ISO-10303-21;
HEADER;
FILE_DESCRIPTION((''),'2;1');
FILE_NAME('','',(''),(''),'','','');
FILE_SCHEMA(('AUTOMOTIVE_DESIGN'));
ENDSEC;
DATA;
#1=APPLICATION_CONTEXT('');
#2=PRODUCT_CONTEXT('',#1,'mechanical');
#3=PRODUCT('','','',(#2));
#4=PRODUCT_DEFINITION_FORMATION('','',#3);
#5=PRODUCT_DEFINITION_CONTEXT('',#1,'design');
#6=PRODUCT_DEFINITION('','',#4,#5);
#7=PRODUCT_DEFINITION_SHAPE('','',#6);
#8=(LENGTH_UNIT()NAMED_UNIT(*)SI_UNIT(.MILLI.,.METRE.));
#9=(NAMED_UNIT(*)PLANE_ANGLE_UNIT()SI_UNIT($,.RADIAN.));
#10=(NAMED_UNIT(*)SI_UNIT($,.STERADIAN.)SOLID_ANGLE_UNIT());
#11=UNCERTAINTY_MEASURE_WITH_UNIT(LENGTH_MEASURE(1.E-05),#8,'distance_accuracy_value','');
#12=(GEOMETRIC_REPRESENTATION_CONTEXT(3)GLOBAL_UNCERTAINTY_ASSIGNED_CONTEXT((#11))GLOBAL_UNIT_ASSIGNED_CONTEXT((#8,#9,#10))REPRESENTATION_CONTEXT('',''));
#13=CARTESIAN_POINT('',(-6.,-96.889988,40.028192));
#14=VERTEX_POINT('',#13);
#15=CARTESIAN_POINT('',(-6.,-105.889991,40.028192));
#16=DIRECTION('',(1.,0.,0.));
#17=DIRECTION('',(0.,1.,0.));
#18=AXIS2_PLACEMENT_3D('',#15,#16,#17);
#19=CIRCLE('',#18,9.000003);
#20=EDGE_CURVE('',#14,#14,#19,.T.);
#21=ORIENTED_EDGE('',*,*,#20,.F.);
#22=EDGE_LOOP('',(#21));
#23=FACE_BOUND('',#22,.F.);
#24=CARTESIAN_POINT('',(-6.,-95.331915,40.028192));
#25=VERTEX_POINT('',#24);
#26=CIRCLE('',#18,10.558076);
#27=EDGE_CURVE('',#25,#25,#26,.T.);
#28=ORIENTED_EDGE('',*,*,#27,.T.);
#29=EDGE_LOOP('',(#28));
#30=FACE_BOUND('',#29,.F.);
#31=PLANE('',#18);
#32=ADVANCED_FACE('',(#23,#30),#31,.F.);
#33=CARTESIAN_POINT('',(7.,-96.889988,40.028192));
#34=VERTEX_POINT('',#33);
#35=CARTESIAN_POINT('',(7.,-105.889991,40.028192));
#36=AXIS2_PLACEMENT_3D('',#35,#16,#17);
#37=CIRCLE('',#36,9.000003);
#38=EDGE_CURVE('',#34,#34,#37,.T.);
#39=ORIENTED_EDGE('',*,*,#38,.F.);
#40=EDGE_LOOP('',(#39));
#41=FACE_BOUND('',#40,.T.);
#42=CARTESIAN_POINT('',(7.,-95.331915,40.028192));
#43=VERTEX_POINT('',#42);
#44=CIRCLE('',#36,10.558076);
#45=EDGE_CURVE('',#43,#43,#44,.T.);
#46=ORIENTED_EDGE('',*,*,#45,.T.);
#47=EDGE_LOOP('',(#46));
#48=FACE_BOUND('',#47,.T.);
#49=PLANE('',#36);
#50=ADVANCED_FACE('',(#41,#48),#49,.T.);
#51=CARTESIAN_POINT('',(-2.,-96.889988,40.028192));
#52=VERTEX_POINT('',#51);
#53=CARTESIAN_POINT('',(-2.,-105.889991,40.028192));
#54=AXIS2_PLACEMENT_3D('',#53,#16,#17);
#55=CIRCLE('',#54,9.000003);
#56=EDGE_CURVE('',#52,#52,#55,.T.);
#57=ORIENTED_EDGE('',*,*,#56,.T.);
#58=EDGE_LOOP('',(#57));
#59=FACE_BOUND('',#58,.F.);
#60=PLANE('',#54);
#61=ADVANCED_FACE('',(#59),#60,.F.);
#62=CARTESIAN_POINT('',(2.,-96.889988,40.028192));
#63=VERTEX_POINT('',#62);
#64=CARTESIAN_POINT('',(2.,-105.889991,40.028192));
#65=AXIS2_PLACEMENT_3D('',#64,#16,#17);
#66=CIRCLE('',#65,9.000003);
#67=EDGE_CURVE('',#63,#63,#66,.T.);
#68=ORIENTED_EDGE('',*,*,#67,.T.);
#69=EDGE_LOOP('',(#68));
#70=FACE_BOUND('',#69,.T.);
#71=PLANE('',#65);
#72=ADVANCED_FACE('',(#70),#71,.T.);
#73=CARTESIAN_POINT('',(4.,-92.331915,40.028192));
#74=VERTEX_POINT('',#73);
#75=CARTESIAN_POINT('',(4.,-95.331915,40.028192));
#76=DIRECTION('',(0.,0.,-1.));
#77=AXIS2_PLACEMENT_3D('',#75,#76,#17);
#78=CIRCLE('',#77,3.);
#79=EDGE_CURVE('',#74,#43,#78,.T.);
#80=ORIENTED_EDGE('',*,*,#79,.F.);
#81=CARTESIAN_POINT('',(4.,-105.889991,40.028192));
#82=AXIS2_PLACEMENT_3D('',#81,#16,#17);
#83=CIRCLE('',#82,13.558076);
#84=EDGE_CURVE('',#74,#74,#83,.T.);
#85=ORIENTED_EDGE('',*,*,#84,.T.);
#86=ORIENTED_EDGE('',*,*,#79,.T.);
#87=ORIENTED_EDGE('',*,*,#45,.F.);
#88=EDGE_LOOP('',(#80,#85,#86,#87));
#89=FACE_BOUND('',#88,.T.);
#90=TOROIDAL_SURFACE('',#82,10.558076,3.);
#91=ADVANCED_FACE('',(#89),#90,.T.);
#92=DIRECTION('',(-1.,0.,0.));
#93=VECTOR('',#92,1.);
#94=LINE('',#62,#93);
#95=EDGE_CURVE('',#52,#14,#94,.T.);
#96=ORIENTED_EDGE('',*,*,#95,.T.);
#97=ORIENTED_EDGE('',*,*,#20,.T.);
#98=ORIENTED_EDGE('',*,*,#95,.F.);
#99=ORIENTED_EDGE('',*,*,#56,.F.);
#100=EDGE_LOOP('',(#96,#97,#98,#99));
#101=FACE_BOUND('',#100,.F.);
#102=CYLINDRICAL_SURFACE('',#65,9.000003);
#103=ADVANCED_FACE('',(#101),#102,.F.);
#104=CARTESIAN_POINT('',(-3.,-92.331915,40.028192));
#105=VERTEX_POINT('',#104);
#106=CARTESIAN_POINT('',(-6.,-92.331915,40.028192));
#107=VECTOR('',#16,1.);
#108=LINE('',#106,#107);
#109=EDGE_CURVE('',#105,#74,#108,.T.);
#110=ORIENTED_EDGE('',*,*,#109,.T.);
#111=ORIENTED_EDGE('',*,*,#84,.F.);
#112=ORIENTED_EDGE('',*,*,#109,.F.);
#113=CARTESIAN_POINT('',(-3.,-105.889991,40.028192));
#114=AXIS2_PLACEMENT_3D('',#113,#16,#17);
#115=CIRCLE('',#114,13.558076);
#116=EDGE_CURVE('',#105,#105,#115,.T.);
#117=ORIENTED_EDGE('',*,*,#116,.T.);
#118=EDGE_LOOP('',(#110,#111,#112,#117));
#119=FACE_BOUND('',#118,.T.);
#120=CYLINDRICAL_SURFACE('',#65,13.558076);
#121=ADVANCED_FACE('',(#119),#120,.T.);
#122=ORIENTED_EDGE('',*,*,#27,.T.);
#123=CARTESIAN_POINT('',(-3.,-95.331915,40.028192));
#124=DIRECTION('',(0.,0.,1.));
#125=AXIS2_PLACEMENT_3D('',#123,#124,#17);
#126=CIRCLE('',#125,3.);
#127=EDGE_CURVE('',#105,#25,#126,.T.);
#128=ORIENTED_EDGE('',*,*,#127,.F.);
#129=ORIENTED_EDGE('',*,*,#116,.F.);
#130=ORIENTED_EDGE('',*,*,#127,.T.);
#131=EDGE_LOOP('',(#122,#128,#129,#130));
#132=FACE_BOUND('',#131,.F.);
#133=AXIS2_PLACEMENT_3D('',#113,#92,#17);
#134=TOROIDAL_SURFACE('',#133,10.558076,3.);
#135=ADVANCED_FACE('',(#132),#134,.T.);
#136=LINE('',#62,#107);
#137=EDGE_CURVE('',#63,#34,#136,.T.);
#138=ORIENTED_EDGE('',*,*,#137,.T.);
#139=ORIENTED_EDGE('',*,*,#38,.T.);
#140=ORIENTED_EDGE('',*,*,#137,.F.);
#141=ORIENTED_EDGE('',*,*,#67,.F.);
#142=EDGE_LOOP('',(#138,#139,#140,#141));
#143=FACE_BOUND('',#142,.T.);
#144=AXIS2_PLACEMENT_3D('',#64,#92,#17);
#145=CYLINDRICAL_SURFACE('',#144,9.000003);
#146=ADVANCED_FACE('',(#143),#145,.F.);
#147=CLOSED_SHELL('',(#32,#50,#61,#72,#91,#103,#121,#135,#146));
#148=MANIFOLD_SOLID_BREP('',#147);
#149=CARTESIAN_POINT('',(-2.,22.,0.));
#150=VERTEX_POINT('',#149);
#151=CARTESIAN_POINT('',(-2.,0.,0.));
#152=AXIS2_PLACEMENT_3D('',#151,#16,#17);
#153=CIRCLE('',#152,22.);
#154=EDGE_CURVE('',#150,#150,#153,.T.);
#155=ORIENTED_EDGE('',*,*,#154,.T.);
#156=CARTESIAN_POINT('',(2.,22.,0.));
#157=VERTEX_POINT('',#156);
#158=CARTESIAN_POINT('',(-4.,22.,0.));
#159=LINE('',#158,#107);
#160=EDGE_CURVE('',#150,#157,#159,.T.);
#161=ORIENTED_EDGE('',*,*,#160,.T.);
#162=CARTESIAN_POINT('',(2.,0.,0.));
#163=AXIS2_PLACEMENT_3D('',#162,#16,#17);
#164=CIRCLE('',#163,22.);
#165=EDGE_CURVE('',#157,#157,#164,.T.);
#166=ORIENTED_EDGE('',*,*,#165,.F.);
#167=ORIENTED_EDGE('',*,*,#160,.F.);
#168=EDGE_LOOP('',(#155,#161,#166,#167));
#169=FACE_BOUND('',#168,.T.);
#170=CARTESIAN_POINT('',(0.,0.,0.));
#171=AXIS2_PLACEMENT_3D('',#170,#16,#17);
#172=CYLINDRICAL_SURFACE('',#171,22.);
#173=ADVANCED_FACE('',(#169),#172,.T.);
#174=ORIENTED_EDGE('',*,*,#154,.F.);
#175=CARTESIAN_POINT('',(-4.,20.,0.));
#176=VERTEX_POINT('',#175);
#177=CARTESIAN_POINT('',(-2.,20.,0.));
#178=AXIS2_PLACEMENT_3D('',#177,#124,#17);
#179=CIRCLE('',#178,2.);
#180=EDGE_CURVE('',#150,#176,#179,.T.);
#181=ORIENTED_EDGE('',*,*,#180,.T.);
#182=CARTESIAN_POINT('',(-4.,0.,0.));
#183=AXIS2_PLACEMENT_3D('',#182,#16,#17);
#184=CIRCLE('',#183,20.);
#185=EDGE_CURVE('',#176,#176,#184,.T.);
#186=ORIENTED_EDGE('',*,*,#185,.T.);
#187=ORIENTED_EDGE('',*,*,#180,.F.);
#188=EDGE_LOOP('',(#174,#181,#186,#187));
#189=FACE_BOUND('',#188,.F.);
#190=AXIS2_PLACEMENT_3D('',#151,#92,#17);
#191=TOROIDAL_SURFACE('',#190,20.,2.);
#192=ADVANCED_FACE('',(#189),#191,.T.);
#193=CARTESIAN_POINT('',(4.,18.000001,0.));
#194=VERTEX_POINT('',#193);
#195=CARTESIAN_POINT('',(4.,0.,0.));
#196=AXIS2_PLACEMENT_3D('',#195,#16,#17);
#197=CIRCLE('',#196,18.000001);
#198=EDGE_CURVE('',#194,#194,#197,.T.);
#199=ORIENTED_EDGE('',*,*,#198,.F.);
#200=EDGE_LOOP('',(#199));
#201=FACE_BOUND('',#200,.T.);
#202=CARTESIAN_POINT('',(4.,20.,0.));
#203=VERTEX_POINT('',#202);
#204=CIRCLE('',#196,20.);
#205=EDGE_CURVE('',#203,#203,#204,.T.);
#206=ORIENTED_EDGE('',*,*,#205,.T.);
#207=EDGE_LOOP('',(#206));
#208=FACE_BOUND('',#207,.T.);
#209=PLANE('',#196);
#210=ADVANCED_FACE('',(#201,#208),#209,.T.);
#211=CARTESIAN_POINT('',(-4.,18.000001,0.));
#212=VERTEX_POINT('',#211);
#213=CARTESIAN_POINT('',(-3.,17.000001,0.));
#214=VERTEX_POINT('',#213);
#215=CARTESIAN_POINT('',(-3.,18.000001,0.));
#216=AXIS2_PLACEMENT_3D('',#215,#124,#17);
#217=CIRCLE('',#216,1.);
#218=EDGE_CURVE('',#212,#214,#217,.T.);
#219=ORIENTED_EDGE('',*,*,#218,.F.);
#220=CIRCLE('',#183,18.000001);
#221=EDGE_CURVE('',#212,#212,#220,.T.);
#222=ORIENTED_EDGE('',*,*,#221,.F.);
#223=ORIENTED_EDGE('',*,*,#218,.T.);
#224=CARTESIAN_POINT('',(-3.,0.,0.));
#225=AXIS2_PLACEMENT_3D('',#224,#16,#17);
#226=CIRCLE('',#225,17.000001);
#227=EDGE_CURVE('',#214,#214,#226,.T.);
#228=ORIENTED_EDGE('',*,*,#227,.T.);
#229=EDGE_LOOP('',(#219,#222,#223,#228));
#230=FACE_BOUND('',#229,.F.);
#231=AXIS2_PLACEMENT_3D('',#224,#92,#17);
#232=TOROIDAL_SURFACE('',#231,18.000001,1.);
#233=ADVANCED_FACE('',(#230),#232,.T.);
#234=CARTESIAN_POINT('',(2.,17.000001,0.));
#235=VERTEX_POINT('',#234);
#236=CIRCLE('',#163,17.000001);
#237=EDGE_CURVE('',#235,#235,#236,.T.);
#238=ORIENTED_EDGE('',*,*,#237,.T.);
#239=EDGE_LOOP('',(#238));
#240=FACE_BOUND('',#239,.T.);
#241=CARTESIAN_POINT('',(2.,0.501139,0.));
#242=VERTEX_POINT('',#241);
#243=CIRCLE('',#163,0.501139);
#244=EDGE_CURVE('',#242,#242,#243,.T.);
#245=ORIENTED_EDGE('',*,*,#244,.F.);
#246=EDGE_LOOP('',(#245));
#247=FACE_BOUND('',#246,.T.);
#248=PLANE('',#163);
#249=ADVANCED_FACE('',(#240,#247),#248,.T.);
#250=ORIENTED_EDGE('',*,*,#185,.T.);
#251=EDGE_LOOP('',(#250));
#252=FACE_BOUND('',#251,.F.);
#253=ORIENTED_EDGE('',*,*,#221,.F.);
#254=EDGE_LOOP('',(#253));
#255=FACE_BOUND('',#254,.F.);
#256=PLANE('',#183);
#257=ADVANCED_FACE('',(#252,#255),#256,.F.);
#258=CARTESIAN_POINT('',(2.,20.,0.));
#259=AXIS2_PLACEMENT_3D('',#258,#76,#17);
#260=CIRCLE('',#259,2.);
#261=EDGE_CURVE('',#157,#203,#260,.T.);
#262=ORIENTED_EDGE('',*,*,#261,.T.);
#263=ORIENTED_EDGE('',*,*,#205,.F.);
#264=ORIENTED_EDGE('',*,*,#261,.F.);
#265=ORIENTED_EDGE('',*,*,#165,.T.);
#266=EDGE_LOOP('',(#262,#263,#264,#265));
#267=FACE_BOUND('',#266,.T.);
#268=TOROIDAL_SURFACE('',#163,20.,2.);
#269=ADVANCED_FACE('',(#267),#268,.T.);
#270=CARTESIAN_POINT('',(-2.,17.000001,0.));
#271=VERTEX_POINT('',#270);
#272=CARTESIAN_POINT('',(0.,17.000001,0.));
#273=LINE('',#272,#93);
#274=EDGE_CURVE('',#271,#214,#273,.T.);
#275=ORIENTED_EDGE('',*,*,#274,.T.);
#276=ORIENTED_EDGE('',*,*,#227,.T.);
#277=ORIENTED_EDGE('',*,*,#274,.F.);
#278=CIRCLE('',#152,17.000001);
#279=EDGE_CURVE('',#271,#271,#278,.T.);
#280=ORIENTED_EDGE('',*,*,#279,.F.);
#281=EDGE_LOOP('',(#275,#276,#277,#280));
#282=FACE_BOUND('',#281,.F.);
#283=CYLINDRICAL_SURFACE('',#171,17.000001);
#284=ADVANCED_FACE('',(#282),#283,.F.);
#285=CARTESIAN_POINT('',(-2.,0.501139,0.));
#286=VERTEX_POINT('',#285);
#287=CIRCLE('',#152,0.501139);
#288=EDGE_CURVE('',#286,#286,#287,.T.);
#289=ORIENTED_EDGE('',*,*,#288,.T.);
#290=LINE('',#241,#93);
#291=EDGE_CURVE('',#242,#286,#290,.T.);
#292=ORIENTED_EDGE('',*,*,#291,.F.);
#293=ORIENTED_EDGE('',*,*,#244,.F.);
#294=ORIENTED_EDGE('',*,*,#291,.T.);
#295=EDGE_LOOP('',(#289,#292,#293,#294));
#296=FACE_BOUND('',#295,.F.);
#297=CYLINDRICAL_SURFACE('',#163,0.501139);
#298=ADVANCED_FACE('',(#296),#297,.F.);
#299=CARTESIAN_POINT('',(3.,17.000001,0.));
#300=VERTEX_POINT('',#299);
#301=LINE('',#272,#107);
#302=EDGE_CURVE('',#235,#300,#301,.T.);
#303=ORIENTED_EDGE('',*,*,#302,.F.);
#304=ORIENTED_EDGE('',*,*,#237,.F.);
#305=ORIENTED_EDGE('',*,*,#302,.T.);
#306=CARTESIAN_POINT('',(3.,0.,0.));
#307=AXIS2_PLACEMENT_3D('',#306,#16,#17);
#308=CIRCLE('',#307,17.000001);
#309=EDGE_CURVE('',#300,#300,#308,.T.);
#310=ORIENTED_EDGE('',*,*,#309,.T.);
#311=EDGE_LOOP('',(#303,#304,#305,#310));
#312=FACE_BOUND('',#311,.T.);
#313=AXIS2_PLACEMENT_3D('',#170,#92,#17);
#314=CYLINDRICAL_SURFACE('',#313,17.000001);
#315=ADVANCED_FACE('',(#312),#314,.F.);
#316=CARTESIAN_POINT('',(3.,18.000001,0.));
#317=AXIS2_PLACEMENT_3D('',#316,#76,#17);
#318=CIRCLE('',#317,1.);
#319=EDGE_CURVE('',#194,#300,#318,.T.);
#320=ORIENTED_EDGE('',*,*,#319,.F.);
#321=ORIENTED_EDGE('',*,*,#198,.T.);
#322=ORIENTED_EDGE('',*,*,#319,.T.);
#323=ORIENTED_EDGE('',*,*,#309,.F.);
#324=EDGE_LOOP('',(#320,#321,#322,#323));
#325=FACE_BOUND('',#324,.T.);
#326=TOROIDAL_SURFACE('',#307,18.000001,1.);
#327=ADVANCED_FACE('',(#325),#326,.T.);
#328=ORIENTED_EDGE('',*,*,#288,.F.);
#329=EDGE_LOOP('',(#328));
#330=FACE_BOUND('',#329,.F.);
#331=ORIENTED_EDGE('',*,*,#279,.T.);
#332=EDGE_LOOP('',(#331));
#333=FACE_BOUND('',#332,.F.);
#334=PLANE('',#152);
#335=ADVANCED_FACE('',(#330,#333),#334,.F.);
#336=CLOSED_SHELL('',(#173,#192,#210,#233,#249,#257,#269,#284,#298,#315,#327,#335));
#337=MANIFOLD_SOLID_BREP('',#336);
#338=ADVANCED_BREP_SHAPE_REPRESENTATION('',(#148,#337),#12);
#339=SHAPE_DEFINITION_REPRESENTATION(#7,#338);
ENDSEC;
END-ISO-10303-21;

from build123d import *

# Parameters (mm, degrees)
F0_R           = 17.000001
F1_DEPTH       = 2
F1_DEPTH_BACK  = 2
F0_R_2         = 22
F2_DEPTH       = 4
F2_DEPTH_BACK  = 4
F3_R           = 2
F4_R           = 1
F5_R           = 0.501139
F6_DEPTH       = 25
F6_DEPTH_BACK  = 25
F7_R           = 9.000003
F8_DEPTH       = 2
F8_DEPTH_BACK  = 2
F9_R           = 13.558076
F9_R_2         = 9.000003
F10_DEPTH      = 5
F10_DEPTH_BACK = 8
F11_R          = 3


with BuildPart() as f1:
    # F0 (on Right) → F1 (new body, two sides)
    with BuildSketch(Plane.YZ) as f1_sk:
        Circle(F0_R)
    extrude(amount=F1_DEPTH)
    extrude(f1_sk.sketch, amount=-F1_DEPTH_BACK)

    # F0 (on Right) → F2 (join, two sides)
    with BuildSketch(Plane.YZ) as f2_sk:
        Circle(F0_R_2)
        Circle(F0_R, mode=Mode.SUBTRACT)
    extrude(amount=F2_DEPTH)
    extrude(f2_sk.sketch, amount=-F2_DEPTH_BACK)

    # F3
    f3_edges = [f1.edges().sort_by_distance(p)[0] for p in [
        (4, -22, 0),
        (-4, -22, 0),
    ]]
    fillet(f3_edges, radius=F3_R)

    # F4
    f4_edges = [f1.edges().sort_by_distance(p)[0] for p in [
        (4, -17.000001, 0),
        (-4, -17.000001, 0),
    ]]
    fillet(f4_edges, radius=F4_R)

    # F5 (on face) → F6 (cut, two sides)
    with BuildSketch(Plane.YZ.offset(2)) as f6_sk:
        Circle(F5_R)
    extrude(amount=-F6_DEPTH, mode=Mode.SUBTRACT)
    extrude(f6_sk.sketch, amount=-F6_DEPTH_BACK, mode=Mode.SUBTRACT)


with BuildPart() as f8:
    # F7 (on Right) → F8 (new body, two sides)
    with BuildSketch(Plane.YZ) as f8_sk:
        with Locations((-105.889991, 40.028192)):
            Circle(F7_R)
    extrude(amount=F8_DEPTH)
    extrude(f8_sk.sketch, amount=-F8_DEPTH_BACK)

    # F9 (on face) → F10 (join, two sides)
    with BuildSketch(Plane.YZ.offset(2)) as f10_sk:
        with Locations((-105.889991, 40.028192)):
            Circle(F9_R)
        with Locations((-105.889991, 40.028192)):
            Circle(F9_R_2, mode=Mode.SUBTRACT)
    extrude(amount=F10_DEPTH)
    extrude(f10_sk.sketch, amount=-F10_DEPTH_BACK)

    # F11
    f11_edges = [f8.edges().sort_by_distance(p)[0] for p in [
        (7, -119.448067, 40.028192),
        (-6, -119.448067, 40.028192),
    ]]
    fillet(f11_edges, radius=F11_R)


solid = Compound([f1.part, f8.part])
